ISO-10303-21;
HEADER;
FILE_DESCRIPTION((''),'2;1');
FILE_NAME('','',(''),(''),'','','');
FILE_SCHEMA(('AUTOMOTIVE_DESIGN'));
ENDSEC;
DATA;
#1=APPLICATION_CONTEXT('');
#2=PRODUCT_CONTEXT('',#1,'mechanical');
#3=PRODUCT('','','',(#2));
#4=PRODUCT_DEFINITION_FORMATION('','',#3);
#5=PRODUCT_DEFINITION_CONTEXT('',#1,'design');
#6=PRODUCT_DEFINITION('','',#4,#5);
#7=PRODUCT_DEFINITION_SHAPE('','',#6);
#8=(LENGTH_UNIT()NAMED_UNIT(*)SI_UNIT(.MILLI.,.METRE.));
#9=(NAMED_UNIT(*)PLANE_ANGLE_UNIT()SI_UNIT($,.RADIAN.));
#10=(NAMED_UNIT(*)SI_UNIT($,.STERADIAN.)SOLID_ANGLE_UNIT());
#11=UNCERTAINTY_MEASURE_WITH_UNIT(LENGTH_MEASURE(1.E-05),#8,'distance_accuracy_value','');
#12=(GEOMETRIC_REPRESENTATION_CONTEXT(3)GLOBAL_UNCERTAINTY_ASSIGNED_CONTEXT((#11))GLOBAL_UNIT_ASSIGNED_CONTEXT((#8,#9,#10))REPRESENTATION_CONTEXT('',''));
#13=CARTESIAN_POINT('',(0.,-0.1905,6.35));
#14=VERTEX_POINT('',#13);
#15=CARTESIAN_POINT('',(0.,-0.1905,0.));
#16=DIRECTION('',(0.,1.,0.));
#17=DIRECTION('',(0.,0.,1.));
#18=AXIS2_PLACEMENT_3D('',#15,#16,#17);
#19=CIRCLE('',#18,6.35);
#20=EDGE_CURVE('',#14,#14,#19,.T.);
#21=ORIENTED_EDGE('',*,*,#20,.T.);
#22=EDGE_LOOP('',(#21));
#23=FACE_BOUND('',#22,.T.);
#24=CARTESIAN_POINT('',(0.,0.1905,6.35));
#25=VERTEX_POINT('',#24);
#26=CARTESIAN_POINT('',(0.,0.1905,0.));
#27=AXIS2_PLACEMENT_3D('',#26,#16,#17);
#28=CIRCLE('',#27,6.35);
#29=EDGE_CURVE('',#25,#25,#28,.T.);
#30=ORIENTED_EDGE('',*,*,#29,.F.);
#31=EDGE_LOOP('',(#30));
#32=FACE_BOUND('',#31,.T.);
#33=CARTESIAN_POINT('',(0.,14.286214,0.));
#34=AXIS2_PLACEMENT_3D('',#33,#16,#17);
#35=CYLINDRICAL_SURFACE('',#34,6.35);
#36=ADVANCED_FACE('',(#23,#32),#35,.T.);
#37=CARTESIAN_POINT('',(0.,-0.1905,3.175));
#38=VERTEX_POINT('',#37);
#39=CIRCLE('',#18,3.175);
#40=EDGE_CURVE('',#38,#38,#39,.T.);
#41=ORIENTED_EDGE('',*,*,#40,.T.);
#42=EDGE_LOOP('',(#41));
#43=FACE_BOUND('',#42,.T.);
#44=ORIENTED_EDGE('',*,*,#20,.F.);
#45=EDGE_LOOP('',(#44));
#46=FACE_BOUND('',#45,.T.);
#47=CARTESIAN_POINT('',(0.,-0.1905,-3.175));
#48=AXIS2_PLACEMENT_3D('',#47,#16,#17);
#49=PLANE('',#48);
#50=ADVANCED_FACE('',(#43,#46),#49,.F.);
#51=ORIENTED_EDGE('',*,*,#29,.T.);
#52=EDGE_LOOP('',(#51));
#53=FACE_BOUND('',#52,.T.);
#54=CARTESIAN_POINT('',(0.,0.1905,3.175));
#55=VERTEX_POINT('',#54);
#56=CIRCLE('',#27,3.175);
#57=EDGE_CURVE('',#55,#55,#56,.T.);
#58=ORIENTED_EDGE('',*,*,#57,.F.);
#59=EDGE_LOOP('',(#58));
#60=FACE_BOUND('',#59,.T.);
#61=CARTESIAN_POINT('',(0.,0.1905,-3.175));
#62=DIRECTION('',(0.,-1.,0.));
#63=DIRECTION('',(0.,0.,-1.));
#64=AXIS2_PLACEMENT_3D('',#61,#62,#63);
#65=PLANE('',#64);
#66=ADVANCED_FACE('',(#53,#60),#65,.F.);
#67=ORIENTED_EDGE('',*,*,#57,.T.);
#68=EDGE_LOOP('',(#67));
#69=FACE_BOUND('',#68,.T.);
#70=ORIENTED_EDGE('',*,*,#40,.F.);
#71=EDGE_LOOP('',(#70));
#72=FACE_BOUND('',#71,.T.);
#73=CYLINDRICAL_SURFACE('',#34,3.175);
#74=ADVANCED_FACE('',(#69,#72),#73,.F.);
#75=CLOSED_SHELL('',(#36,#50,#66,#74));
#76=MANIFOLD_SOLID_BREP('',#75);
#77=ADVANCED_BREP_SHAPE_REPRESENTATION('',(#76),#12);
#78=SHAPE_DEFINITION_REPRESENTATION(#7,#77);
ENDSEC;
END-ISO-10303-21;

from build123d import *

# Parameters (mm, degrees)
SKETCH1_W = 3.175
SKETCH1_H = 0.381


with BuildPart() as part:
    # Sketch1 → Revolve1 (revolve)
    with BuildSketch(Plane(origin=(0, 0, 0), x_dir=(0, 0, -1), z_dir=(1, 0, 0)), mode=Mode.PRIVATE) as revolve1_sk:
        with Locations((4.7625, 0)):
            Rectangle(SKETCH1_W, SKETCH1_H)
    revolve(revolve1_sk.sketch.rotate(Axis((0, 14.286213682, 0), (0, -1, 0)), 180), axis=Axis((0, 14.286213682, 0), (0, -1, 0)))


solid = part.part
